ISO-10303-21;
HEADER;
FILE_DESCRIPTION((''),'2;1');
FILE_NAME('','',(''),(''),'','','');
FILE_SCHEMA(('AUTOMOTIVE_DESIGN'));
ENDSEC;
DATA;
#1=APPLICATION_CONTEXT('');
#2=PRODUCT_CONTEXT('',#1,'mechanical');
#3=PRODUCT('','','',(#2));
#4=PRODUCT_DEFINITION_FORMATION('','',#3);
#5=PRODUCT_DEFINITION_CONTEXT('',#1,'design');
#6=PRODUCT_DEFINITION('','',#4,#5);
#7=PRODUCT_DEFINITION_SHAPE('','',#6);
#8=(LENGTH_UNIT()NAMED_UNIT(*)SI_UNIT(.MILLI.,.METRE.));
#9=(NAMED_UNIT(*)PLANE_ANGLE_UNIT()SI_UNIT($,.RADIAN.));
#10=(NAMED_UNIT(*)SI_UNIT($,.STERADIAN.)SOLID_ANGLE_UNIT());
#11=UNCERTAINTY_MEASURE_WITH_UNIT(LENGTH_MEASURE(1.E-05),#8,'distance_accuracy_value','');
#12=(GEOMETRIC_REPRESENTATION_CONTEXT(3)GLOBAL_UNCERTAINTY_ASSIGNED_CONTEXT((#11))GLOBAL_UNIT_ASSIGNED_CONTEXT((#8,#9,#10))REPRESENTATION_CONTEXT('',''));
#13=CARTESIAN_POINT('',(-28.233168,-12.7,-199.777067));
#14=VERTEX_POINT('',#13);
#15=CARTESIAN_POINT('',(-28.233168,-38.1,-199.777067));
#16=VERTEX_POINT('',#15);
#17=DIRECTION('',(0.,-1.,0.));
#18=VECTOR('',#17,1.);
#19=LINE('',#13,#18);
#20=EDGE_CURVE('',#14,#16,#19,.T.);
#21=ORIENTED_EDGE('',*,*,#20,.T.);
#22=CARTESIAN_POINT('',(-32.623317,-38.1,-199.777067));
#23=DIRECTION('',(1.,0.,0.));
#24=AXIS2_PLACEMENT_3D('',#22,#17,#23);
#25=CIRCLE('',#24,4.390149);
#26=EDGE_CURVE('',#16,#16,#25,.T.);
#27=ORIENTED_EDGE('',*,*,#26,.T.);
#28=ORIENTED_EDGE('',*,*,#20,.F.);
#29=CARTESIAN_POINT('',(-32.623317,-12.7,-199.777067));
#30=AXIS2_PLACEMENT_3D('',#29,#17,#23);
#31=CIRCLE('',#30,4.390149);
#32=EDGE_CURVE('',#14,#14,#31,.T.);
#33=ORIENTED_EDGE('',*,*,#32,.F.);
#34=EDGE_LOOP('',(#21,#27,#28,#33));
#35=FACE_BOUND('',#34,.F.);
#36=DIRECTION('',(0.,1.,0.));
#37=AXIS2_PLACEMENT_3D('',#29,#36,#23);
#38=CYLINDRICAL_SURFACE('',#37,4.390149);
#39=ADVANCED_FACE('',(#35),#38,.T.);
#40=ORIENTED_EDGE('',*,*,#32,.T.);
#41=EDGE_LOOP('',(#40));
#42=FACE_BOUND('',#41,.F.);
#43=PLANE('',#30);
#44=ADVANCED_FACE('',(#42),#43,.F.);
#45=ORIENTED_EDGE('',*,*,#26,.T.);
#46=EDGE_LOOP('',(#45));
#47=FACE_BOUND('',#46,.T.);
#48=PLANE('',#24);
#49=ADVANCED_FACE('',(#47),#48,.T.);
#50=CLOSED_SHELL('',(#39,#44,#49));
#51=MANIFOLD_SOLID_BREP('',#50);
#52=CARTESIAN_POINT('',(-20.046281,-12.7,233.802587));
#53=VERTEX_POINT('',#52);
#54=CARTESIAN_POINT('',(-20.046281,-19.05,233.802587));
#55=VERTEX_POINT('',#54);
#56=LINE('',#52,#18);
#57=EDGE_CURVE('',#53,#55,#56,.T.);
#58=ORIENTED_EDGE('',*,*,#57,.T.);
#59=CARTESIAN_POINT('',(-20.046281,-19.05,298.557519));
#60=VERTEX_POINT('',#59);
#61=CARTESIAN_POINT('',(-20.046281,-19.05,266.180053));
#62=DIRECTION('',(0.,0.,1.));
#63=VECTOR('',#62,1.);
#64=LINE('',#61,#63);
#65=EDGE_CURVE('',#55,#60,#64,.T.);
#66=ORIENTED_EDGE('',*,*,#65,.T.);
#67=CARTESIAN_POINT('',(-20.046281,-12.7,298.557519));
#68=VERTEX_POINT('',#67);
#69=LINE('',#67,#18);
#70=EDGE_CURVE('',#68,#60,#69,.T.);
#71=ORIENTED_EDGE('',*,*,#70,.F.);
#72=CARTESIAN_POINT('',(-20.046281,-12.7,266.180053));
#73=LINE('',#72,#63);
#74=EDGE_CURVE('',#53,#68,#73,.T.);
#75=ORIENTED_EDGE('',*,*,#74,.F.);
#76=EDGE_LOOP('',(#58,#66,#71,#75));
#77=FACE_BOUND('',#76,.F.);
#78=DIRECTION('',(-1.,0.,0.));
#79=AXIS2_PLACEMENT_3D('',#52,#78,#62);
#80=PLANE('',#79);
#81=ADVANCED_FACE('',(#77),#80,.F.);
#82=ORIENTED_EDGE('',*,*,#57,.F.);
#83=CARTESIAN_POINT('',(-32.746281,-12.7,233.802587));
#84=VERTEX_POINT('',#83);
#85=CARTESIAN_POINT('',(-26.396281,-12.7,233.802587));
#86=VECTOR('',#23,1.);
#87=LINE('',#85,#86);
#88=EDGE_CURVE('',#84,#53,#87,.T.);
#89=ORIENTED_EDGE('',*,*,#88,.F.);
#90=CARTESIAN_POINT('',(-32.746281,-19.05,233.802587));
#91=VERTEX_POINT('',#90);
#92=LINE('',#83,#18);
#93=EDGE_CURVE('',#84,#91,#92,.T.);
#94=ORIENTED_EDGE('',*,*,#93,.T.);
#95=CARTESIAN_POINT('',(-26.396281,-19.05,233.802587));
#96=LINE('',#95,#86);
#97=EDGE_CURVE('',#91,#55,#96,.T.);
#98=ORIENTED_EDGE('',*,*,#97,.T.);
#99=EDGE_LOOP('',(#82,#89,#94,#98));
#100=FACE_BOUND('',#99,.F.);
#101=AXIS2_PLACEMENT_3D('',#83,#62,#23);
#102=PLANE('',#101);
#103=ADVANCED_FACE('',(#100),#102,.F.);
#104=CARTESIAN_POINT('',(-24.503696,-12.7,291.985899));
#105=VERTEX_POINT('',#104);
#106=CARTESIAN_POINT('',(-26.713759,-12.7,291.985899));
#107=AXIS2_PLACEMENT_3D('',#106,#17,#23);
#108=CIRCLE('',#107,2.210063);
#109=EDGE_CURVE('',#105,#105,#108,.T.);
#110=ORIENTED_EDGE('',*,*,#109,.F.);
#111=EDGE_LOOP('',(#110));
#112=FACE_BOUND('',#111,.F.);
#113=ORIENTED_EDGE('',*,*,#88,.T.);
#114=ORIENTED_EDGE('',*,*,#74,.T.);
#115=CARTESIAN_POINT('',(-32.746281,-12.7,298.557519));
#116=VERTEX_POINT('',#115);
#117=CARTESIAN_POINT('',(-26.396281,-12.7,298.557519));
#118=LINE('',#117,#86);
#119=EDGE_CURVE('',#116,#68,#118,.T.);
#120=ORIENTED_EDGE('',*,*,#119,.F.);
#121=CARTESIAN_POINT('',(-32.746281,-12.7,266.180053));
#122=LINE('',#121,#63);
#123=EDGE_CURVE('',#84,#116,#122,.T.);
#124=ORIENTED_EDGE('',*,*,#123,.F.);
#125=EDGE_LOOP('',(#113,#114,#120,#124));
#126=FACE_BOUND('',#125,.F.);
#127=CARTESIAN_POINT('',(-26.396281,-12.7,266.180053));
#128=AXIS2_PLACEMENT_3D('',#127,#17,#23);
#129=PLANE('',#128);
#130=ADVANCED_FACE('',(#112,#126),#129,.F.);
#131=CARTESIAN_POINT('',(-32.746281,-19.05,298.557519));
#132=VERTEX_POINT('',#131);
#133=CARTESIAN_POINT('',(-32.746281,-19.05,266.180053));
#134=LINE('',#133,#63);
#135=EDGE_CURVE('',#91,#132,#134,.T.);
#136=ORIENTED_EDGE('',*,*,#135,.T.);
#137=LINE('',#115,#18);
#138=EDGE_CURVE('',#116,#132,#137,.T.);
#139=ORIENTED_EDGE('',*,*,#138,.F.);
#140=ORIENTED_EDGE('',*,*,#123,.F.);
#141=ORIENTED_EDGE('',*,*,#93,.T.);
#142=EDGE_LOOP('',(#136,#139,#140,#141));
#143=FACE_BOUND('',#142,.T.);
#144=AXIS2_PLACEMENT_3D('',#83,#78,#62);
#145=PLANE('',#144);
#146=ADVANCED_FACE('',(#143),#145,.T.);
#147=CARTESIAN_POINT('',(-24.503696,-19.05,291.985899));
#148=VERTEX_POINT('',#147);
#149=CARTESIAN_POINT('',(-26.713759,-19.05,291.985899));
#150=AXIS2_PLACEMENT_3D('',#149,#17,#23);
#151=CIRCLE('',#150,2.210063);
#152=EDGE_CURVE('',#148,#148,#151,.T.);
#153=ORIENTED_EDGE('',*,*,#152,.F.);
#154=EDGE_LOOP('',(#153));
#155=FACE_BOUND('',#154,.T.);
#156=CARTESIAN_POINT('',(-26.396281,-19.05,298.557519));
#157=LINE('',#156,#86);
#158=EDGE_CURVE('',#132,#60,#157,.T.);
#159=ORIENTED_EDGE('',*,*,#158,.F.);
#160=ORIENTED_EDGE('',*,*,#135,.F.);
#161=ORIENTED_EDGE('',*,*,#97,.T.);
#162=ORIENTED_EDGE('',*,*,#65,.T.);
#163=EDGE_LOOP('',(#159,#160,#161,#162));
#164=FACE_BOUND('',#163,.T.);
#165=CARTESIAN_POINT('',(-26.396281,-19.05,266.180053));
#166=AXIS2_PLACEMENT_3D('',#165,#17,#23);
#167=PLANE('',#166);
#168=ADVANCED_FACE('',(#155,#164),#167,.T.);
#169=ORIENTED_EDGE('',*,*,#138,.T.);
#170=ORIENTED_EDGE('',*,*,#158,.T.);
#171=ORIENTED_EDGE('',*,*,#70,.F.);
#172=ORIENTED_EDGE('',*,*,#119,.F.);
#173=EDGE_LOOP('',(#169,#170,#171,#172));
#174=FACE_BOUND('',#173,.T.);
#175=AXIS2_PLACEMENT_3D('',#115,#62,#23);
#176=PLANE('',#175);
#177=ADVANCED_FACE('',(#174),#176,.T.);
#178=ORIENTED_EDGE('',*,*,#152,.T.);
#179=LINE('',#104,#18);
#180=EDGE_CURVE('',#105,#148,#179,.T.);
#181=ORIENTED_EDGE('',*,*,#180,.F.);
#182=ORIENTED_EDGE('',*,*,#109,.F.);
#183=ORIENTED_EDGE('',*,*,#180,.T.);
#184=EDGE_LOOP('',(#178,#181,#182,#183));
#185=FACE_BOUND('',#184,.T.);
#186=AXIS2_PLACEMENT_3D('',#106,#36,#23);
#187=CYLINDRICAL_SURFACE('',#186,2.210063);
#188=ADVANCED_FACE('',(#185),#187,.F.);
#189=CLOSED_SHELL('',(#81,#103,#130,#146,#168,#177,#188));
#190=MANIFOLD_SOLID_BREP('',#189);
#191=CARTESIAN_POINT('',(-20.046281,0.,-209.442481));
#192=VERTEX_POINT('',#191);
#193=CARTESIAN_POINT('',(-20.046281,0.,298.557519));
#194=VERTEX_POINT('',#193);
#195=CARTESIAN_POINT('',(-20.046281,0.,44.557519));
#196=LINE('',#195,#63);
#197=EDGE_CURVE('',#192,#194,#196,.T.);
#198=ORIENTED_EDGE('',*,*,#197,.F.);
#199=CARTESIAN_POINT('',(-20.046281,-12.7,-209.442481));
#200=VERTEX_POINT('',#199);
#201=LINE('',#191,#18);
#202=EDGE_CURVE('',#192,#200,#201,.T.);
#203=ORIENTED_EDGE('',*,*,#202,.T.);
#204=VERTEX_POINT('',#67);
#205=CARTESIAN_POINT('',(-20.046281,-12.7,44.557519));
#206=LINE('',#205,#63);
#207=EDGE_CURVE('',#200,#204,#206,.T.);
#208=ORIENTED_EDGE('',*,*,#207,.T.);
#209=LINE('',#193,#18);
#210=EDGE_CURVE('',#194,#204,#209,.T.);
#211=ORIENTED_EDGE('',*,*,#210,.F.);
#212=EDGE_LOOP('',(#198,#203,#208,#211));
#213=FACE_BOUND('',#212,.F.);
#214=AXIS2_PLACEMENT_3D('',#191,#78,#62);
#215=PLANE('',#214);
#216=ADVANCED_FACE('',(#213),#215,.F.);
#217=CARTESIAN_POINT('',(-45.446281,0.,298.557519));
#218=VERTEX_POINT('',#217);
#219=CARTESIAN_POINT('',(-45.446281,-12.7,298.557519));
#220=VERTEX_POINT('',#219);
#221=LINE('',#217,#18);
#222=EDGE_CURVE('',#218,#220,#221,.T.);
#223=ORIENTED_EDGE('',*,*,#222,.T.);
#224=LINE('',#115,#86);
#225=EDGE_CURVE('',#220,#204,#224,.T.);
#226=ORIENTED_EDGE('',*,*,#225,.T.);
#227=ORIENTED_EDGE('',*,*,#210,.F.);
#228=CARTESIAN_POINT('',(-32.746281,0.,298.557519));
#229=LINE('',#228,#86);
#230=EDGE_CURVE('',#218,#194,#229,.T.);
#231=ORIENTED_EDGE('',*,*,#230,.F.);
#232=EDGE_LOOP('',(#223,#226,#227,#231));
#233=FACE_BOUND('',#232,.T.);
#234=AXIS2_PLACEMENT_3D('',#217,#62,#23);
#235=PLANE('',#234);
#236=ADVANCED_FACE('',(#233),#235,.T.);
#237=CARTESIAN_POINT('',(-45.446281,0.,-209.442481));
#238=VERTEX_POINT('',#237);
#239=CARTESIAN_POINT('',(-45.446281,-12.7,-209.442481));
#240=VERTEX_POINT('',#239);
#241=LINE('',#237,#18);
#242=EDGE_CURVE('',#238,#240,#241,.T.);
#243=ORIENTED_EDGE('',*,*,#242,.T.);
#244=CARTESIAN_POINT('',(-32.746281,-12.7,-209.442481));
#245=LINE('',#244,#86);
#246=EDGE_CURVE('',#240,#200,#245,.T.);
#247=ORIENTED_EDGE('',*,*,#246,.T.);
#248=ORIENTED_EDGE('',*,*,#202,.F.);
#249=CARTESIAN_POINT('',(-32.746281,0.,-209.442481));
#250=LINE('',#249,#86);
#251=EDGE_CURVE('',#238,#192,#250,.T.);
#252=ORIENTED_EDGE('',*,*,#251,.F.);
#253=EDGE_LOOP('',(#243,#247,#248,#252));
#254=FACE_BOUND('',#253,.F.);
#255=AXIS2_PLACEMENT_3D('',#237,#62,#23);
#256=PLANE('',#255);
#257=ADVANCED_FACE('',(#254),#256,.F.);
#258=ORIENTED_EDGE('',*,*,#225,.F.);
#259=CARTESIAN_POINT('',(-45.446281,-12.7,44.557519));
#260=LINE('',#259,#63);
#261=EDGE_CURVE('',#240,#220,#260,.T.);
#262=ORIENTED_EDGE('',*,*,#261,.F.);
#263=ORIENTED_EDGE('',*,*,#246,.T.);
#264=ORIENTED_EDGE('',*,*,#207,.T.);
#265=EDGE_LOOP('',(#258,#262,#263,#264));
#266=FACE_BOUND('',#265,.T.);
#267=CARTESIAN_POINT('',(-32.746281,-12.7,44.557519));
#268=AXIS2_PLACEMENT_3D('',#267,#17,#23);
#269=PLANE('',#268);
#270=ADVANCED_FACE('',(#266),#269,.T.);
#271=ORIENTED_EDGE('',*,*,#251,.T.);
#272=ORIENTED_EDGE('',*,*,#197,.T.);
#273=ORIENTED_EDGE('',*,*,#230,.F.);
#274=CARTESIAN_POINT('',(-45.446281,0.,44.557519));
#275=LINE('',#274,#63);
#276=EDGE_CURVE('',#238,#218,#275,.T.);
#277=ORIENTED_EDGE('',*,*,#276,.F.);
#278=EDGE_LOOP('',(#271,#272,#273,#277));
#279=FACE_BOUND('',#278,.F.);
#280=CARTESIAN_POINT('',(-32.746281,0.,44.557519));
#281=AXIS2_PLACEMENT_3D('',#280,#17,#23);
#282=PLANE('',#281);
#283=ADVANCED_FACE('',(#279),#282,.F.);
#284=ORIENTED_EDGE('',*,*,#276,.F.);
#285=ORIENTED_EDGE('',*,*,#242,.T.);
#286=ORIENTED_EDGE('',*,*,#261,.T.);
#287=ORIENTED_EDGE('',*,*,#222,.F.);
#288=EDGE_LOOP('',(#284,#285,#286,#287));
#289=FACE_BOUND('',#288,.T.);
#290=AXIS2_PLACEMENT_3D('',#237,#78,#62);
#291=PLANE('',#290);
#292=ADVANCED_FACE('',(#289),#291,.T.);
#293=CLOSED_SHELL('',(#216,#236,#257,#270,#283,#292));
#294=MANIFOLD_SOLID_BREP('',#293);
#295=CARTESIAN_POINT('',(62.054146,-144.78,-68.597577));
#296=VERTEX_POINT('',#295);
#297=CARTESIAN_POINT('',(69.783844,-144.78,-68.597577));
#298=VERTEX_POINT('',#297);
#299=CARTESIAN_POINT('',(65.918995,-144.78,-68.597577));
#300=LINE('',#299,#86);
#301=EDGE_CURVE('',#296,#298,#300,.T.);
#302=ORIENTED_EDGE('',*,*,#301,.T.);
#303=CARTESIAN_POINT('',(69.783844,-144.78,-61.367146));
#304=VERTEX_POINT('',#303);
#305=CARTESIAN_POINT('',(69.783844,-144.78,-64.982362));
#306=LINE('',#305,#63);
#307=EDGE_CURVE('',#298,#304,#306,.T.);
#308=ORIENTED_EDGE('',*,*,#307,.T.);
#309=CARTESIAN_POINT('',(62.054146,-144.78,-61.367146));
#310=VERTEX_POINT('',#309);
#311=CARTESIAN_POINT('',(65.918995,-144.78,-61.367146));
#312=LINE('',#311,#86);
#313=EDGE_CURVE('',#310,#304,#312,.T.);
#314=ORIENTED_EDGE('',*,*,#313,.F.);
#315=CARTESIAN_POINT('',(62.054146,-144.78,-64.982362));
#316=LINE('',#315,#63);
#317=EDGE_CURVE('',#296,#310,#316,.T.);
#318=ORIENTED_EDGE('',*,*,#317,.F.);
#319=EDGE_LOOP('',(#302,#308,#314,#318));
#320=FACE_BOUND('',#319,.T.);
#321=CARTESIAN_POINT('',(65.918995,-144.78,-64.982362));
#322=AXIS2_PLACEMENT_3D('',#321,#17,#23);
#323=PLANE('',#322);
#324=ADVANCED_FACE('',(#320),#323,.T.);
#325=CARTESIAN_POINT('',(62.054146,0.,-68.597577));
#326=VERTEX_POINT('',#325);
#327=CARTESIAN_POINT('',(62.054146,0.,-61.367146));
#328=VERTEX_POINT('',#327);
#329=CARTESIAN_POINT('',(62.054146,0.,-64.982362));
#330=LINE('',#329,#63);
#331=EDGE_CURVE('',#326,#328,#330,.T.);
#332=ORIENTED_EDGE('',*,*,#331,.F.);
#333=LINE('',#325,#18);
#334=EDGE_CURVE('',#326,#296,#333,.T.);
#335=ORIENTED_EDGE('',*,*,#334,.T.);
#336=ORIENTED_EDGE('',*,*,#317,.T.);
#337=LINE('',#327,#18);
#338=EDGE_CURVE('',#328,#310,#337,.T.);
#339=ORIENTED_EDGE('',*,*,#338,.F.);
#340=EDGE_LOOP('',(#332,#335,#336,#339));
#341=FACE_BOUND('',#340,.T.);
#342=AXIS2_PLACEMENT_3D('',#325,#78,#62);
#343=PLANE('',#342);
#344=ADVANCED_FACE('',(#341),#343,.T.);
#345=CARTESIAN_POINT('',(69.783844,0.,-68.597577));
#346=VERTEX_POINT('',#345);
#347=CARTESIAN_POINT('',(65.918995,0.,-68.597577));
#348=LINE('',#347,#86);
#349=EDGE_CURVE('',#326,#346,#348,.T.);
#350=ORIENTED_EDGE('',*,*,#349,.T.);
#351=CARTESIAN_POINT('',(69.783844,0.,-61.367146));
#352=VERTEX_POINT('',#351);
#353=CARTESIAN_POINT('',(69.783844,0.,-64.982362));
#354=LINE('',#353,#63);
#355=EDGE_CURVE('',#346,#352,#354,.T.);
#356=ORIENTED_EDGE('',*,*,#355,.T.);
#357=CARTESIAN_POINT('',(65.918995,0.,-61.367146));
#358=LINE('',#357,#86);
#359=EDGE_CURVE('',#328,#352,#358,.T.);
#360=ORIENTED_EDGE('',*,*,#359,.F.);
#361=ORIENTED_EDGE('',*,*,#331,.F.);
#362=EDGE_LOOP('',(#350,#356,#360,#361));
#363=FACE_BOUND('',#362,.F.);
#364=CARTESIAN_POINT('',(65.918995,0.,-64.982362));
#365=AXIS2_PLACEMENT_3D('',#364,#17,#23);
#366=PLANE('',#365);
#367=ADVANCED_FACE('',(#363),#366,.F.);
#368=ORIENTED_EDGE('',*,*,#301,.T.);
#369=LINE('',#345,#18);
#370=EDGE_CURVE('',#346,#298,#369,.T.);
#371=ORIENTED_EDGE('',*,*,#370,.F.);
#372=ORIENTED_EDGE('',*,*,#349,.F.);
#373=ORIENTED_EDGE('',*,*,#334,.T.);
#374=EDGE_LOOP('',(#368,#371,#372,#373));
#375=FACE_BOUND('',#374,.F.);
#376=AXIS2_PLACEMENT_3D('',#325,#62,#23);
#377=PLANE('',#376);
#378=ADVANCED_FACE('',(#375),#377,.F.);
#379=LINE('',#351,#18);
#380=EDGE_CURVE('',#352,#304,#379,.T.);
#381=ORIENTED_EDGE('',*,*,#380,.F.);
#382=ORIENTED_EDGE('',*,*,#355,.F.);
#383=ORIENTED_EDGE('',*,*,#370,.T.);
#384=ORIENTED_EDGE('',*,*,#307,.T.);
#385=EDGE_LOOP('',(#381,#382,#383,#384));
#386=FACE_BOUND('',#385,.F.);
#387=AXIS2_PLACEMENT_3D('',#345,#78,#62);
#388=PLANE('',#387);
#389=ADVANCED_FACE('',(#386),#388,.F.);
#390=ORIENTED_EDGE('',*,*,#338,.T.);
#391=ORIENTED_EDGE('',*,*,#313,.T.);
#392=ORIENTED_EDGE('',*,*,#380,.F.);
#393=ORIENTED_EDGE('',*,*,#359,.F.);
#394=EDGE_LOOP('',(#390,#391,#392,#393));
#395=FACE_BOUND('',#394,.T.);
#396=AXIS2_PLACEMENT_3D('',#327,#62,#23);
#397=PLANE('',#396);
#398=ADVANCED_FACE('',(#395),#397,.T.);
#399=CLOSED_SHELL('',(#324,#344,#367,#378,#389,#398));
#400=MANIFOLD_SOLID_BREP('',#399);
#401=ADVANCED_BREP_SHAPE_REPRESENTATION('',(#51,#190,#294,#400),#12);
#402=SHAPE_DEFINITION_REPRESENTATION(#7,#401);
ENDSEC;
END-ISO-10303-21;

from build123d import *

# Parameters (mm, degrees)
F0_W     = 25.4
F0_H     = 508
F1_DEPTH = 12.7
F3_W     = 12.7
F3_H     = 64.754932
F3_R     = 2.210063
F4_DEPTH = 6.35
F5_R     = 4.390149
F6_DEPTH = 25.4
F7_W     = 7.729698
F7_H     = 7.230431
F8_DEPTH = 144.78


with BuildPart() as f1:
    # F0 (on Front) → F1 (new body)
    with BuildSketch(Plane.XZ):
        with Locations((-32.746281, 44.557519)):
            Rectangle(F0_W, F0_H)
    extrude(amount=F1_DEPTH)


with BuildPart() as f4:
    # F3 (on face) → F4 (new body)
    with BuildSketch(Plane.XZ.offset(12.7)):
        with Locations((-26.396281, 266.180053)):
            Rectangle(F3_W, F3_H)
        with Locations((-26.713759, 291.985899)):
            Circle(F3_R, mode=Mode.SUBTRACT)
    extrude(amount=F4_DEPTH)


with BuildPart() as f6:
    # F5 (on face) → F6 (new body)
    with BuildSketch(Plane.XZ.offset(12.7)):
        with Locations((-32.623317, -199.777067)):
            Circle(F5_R)
    extrude(amount=F6_DEPTH)


with BuildPart() as f8:
    # F7 (on Front) → F8 (new body)
    with BuildSketch(Plane.XZ):
        with Locations((65.918995, -64.982362)):
            Rectangle(F7_W, F7_H)
    extrude(amount=F8_DEPTH)


solid = Compound([f1.part, f4.part, f6.part, f8.part])
